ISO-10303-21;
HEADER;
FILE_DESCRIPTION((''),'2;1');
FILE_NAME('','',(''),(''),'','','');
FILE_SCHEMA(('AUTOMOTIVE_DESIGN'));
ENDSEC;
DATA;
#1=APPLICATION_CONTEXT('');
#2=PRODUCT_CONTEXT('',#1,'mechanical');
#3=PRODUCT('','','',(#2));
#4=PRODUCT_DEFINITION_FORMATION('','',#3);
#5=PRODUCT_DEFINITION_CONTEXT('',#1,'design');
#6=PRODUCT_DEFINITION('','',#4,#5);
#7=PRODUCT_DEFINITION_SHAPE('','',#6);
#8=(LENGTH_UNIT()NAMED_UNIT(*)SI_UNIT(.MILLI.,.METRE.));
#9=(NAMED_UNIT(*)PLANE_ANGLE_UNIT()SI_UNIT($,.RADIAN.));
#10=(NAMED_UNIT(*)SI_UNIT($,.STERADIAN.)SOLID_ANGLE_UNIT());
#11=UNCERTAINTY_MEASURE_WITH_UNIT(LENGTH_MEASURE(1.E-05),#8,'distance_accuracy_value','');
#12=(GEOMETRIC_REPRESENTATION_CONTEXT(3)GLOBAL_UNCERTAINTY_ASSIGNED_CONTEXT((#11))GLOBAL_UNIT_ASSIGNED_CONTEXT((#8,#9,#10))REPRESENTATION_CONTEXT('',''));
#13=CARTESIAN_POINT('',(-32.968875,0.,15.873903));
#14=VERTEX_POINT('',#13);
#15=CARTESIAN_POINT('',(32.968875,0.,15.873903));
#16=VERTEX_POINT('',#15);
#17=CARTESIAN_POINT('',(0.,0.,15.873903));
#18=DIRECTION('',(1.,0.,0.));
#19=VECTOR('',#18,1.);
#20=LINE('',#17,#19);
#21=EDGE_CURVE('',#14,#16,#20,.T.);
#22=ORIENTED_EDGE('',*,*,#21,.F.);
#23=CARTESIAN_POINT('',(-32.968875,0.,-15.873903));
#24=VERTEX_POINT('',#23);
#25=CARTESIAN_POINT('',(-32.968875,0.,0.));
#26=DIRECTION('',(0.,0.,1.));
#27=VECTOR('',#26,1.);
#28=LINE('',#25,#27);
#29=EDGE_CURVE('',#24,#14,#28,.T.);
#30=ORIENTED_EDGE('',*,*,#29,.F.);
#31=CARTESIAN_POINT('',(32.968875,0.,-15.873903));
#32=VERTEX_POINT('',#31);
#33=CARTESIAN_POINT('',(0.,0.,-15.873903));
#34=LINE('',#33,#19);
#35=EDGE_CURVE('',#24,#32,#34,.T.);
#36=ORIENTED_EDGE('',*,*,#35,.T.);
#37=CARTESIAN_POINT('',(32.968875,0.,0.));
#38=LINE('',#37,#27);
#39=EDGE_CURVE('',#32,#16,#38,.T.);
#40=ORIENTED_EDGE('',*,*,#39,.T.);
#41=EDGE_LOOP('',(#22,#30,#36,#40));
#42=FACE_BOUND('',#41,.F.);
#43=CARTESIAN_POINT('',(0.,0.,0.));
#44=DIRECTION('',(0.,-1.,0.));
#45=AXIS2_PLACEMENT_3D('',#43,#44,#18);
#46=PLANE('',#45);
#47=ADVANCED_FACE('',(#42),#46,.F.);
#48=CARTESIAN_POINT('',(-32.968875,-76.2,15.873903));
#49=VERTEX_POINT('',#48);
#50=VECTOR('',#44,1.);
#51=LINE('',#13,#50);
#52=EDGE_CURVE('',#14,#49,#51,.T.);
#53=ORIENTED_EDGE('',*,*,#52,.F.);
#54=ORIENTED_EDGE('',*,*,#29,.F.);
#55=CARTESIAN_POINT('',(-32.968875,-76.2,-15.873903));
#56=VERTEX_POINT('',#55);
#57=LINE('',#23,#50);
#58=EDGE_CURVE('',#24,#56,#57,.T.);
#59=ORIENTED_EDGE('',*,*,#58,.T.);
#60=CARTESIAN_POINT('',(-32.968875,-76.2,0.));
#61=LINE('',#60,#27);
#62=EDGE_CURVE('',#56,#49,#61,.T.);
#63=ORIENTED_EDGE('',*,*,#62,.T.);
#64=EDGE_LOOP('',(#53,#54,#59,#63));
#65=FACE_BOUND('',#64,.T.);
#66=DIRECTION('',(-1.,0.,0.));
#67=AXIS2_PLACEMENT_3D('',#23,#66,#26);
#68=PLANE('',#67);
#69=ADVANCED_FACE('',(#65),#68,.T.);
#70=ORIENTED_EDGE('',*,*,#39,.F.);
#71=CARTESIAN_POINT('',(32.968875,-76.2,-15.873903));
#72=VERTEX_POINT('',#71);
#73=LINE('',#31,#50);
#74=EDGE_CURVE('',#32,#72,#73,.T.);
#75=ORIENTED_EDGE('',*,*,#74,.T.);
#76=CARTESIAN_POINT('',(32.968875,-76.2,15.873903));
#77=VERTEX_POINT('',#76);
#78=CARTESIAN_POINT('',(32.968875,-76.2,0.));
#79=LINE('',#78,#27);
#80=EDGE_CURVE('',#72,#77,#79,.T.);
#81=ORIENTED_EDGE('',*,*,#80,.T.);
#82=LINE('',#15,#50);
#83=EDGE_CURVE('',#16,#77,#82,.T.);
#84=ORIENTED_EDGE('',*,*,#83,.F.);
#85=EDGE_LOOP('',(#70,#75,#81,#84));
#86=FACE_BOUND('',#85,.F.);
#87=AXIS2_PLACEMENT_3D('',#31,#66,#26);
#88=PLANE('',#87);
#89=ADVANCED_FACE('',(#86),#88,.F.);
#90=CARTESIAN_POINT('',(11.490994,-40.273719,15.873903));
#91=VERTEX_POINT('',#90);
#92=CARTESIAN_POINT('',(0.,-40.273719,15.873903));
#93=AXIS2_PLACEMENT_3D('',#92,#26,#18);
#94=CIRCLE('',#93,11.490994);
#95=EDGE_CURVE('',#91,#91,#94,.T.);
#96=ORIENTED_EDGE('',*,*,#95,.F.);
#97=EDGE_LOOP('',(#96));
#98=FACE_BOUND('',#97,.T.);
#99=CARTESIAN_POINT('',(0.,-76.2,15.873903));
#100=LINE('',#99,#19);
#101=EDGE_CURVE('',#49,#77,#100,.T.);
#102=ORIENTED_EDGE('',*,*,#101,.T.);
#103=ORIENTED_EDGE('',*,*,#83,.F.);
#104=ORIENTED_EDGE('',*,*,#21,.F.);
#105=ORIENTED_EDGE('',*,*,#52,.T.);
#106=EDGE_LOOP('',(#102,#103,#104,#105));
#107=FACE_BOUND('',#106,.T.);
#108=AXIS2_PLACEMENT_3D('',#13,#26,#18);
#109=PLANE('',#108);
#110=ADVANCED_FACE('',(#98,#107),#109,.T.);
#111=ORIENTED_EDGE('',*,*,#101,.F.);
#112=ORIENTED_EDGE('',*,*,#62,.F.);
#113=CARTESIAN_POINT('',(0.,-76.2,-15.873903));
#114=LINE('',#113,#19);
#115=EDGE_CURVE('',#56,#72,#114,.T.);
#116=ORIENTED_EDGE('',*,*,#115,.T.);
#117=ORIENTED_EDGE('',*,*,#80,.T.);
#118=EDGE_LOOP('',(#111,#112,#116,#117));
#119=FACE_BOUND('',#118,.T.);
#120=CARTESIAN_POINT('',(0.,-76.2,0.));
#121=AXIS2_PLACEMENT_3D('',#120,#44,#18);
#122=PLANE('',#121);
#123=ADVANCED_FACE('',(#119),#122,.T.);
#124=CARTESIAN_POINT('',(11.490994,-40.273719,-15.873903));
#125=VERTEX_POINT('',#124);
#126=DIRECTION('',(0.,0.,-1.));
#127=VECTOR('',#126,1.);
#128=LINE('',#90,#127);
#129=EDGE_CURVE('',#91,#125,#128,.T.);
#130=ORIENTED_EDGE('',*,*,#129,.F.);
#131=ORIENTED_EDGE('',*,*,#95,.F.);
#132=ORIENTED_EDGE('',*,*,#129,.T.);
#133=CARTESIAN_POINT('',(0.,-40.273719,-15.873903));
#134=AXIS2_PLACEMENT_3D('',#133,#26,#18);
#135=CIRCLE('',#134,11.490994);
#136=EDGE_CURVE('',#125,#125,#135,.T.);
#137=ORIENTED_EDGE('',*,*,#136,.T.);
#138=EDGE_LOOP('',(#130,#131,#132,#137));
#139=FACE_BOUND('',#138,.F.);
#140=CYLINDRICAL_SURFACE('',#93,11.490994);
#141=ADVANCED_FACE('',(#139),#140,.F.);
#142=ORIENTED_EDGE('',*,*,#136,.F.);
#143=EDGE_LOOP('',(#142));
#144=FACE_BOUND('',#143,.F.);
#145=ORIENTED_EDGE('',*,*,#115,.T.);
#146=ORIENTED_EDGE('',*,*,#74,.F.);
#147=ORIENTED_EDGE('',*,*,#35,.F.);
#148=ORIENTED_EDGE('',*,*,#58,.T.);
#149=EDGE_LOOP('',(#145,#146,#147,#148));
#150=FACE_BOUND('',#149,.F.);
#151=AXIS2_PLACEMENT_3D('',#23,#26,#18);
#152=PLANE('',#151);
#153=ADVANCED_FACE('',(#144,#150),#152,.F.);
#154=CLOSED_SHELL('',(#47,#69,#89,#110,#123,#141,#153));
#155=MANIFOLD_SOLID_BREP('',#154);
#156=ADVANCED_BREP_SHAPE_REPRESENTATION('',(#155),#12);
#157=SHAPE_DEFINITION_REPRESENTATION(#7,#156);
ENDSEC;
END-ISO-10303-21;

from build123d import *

# Parameters (mm, degrees)
F0_W     = 65.93775
F0_H     = 31.747806
F1_DEPTH = 76.2
F2_R     = 11.490994
F3_DEPTH = 31.748807


with BuildPart() as f1:
    # F0 (on Front) → F1 (new body)
    with BuildSketch(Plane.XZ):
        Rectangle(F0_W, F0_H)
    extrude(amount=F1_DEPTH)

    # F2 (on face) → F3 (cut, through all)
    with BuildSketch(Plane.XY.offset(15.873903)):
        with Locations((0, -40.273719)):
            Circle(F2_R)
    extrude(amount=-F3_DEPTH, mode=Mode.SUBTRACT)


solid = f1.part
